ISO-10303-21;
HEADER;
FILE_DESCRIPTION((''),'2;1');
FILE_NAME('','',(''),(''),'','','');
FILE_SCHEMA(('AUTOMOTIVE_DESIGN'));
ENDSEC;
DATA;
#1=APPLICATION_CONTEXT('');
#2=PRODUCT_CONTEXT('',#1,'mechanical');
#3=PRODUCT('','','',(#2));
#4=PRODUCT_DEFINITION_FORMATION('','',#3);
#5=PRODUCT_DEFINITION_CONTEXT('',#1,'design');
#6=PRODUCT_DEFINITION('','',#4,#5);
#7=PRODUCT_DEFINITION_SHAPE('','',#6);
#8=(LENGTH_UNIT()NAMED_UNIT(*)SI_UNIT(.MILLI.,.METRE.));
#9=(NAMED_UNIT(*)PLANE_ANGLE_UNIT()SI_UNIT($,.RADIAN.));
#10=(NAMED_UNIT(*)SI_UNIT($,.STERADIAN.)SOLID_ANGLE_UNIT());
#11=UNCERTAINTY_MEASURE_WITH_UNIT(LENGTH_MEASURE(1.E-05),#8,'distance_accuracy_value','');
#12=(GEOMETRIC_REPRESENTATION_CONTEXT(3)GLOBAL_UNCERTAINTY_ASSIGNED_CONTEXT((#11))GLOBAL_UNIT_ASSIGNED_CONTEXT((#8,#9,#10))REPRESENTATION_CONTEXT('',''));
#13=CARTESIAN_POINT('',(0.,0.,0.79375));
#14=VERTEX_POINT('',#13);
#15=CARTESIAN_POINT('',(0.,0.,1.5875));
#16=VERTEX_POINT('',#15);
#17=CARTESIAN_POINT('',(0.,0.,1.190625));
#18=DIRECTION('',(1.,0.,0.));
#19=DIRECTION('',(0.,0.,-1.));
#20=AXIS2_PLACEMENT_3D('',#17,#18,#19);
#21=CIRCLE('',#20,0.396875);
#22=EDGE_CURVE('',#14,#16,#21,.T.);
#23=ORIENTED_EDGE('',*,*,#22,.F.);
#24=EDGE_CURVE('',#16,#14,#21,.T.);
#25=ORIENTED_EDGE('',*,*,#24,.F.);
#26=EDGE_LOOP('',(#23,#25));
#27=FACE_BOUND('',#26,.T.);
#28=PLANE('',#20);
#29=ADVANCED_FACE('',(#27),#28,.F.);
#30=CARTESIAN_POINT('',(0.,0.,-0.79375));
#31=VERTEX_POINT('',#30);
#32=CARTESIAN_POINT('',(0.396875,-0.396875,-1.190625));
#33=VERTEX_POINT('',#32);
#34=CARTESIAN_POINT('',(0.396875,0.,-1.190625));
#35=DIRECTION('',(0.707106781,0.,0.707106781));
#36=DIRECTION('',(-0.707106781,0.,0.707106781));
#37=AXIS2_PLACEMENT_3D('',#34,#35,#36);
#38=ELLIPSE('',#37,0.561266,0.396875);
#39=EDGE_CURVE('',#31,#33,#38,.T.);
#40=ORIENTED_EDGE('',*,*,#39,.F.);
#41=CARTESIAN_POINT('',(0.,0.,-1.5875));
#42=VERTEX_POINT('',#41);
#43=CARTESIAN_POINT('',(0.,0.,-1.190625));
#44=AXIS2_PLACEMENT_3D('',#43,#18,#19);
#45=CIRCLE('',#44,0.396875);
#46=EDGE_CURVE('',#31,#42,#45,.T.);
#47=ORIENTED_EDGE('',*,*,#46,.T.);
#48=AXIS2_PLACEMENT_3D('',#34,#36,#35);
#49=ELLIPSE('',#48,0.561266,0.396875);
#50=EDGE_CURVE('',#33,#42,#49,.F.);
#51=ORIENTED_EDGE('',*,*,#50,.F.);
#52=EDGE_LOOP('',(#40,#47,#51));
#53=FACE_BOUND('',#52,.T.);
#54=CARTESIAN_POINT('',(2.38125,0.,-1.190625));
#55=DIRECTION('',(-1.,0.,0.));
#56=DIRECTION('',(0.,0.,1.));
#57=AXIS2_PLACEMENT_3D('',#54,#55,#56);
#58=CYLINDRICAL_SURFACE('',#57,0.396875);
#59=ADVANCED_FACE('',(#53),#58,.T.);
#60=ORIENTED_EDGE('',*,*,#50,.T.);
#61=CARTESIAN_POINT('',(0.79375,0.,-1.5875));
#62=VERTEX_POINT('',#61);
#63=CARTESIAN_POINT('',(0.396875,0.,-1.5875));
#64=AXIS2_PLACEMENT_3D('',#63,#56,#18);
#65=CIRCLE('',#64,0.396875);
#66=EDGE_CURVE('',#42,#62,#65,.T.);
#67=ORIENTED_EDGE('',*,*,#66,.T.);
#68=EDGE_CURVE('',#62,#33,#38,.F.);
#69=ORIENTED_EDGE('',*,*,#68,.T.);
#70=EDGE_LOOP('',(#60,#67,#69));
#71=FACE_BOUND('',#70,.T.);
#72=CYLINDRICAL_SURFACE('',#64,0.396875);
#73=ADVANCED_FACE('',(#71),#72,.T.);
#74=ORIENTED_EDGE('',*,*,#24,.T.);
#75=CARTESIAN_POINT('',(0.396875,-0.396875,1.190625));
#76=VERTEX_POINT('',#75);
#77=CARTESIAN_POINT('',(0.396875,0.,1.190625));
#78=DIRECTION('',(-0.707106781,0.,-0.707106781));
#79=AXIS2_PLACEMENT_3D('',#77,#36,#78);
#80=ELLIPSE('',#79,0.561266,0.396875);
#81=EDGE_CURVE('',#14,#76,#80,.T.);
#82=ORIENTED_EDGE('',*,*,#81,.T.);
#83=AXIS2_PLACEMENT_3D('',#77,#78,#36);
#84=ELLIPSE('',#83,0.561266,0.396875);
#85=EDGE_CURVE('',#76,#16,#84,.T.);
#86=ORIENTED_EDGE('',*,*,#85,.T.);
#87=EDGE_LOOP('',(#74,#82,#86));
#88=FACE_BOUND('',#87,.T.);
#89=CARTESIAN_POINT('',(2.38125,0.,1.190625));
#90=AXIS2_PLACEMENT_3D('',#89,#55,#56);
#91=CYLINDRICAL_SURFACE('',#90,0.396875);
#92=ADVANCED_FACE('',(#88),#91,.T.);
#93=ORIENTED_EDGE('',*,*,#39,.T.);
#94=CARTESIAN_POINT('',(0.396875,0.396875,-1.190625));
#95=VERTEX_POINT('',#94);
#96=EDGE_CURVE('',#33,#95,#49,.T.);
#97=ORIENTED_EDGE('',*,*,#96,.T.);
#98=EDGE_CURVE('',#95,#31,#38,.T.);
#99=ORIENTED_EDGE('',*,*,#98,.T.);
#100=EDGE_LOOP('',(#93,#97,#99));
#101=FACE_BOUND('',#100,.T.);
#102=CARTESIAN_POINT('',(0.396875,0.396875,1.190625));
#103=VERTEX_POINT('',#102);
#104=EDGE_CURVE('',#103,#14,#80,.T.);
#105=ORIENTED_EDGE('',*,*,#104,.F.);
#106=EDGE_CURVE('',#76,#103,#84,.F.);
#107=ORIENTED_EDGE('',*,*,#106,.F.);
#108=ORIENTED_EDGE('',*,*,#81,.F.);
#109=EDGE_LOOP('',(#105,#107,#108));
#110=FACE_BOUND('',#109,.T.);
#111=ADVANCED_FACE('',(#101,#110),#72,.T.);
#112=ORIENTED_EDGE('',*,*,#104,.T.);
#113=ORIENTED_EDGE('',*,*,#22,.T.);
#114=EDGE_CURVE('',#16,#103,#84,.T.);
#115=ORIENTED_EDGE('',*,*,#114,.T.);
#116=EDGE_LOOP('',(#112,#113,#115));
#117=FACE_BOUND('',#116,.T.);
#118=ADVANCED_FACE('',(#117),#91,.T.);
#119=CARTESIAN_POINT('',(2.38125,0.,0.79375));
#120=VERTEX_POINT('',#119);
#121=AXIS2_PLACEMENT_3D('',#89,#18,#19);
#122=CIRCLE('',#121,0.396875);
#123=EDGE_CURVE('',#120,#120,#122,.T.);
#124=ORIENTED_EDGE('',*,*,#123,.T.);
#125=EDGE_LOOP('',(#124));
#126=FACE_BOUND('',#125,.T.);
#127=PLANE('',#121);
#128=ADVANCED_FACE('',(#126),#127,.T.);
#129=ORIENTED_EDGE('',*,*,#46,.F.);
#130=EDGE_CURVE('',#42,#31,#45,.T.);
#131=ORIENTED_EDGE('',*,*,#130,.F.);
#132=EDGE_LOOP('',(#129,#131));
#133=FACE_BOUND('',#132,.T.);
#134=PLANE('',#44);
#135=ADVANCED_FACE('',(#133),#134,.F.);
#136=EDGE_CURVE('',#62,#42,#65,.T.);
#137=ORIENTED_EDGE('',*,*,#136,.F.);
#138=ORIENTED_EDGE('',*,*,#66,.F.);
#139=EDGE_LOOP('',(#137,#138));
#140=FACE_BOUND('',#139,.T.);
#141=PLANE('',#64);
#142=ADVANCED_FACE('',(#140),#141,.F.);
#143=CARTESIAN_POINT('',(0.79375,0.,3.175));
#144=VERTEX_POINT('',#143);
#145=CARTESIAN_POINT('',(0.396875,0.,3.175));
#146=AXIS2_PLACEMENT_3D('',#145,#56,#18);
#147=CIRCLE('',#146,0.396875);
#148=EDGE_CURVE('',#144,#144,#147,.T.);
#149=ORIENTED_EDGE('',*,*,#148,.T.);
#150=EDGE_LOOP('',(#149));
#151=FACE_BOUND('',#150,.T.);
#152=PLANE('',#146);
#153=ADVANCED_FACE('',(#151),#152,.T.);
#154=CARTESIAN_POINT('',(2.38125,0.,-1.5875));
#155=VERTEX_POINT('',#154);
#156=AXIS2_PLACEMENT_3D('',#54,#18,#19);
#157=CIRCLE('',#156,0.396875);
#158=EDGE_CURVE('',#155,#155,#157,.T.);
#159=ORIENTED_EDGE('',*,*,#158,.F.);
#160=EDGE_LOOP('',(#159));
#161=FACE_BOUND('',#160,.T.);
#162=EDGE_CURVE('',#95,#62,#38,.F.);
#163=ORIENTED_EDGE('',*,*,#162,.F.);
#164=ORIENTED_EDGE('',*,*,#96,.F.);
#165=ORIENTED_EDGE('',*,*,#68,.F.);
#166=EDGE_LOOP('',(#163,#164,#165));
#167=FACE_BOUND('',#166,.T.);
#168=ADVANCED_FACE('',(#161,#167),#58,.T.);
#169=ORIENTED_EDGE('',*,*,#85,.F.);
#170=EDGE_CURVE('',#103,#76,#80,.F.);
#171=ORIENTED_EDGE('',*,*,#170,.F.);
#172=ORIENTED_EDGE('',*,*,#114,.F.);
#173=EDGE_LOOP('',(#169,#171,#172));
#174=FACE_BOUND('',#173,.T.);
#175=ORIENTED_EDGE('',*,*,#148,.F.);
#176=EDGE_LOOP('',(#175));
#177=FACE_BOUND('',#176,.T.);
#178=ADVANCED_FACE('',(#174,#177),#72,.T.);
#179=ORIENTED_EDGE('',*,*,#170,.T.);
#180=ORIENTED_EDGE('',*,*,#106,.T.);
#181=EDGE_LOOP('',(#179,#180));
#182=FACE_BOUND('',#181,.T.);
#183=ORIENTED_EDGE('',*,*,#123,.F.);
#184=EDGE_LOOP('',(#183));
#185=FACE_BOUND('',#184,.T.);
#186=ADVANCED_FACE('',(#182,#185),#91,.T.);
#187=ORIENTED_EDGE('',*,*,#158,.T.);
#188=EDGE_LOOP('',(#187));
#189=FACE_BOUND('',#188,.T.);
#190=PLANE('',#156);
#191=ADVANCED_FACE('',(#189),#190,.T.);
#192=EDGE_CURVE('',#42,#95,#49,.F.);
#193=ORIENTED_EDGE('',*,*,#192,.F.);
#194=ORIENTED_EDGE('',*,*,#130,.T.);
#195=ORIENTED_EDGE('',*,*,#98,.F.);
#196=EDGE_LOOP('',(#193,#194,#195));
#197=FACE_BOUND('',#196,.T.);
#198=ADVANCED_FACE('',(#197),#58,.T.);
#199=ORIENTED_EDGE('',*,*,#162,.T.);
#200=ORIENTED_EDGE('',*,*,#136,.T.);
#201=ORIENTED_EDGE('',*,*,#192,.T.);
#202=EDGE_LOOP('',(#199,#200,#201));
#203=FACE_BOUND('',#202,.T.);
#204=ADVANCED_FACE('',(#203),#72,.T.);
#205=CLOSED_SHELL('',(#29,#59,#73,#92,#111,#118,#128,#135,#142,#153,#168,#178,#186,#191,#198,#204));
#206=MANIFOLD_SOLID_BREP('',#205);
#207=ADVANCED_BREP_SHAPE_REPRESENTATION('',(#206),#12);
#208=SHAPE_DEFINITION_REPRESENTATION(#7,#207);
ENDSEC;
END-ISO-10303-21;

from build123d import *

# Parameters (mm, degrees)
SKETCH3_R                = 0.396875
BOSS_EXTRUDE2_DEPTH      = 2.38125
BOSS_EXTRUDE2_2_DEPTH    = 2.38125
BOSS_EXTRUDE3_DEPTH      = 3.175
BOSS_EXTRUDE3_DEPTH_BACK = 1.5875
SKETCH4_R                = 0.396875


with BuildPart() as part:
    # Sketch3 → Boss-Extrude2 (new body)
    with BuildSketch(Plane(origin=(0, 0, 0), x_dir=(0, 0, -1), z_dir=(1, 0, 0))):
        with Locations((-1.190625, 0)):
            Circle(SKETCH3_R)
    extrude(amount=BOSS_EXTRUDE2_DEPTH)



with BuildPart() as body_2:
    # Sketch3 → Boss-Extrude2 2 (new body)
    with BuildSketch(Plane(origin=(0, 0, 0), x_dir=(0, 0, -1), z_dir=(1, 0, 0))):
        with Locations((1.190625, 0)):
            Circle(SKETCH3_R)
    extrude(amount=BOSS_EXTRUDE2_2_DEPTH)


with BuildPart() as part_1:
    add(part.part)

    add(body_2.part)  # Boss-Extrude3 merges body 2
    # Sketch4 → Boss-Extrude3 (add, two sides: drawn at the far end of the back side and taken through both)
    with BuildSketch(Plane.XY.offset(-BOSS_EXTRUDE3_DEPTH_BACK)):
        with Locations(Location((0.396875, 0, 0), (0, 0, 270))):
            Circle(SKETCH4_R)
    extrude(amount=BOSS_EXTRUDE3_DEPTH + BOSS_EXTRUDE3_DEPTH_BACK)


solid = part_1.part
